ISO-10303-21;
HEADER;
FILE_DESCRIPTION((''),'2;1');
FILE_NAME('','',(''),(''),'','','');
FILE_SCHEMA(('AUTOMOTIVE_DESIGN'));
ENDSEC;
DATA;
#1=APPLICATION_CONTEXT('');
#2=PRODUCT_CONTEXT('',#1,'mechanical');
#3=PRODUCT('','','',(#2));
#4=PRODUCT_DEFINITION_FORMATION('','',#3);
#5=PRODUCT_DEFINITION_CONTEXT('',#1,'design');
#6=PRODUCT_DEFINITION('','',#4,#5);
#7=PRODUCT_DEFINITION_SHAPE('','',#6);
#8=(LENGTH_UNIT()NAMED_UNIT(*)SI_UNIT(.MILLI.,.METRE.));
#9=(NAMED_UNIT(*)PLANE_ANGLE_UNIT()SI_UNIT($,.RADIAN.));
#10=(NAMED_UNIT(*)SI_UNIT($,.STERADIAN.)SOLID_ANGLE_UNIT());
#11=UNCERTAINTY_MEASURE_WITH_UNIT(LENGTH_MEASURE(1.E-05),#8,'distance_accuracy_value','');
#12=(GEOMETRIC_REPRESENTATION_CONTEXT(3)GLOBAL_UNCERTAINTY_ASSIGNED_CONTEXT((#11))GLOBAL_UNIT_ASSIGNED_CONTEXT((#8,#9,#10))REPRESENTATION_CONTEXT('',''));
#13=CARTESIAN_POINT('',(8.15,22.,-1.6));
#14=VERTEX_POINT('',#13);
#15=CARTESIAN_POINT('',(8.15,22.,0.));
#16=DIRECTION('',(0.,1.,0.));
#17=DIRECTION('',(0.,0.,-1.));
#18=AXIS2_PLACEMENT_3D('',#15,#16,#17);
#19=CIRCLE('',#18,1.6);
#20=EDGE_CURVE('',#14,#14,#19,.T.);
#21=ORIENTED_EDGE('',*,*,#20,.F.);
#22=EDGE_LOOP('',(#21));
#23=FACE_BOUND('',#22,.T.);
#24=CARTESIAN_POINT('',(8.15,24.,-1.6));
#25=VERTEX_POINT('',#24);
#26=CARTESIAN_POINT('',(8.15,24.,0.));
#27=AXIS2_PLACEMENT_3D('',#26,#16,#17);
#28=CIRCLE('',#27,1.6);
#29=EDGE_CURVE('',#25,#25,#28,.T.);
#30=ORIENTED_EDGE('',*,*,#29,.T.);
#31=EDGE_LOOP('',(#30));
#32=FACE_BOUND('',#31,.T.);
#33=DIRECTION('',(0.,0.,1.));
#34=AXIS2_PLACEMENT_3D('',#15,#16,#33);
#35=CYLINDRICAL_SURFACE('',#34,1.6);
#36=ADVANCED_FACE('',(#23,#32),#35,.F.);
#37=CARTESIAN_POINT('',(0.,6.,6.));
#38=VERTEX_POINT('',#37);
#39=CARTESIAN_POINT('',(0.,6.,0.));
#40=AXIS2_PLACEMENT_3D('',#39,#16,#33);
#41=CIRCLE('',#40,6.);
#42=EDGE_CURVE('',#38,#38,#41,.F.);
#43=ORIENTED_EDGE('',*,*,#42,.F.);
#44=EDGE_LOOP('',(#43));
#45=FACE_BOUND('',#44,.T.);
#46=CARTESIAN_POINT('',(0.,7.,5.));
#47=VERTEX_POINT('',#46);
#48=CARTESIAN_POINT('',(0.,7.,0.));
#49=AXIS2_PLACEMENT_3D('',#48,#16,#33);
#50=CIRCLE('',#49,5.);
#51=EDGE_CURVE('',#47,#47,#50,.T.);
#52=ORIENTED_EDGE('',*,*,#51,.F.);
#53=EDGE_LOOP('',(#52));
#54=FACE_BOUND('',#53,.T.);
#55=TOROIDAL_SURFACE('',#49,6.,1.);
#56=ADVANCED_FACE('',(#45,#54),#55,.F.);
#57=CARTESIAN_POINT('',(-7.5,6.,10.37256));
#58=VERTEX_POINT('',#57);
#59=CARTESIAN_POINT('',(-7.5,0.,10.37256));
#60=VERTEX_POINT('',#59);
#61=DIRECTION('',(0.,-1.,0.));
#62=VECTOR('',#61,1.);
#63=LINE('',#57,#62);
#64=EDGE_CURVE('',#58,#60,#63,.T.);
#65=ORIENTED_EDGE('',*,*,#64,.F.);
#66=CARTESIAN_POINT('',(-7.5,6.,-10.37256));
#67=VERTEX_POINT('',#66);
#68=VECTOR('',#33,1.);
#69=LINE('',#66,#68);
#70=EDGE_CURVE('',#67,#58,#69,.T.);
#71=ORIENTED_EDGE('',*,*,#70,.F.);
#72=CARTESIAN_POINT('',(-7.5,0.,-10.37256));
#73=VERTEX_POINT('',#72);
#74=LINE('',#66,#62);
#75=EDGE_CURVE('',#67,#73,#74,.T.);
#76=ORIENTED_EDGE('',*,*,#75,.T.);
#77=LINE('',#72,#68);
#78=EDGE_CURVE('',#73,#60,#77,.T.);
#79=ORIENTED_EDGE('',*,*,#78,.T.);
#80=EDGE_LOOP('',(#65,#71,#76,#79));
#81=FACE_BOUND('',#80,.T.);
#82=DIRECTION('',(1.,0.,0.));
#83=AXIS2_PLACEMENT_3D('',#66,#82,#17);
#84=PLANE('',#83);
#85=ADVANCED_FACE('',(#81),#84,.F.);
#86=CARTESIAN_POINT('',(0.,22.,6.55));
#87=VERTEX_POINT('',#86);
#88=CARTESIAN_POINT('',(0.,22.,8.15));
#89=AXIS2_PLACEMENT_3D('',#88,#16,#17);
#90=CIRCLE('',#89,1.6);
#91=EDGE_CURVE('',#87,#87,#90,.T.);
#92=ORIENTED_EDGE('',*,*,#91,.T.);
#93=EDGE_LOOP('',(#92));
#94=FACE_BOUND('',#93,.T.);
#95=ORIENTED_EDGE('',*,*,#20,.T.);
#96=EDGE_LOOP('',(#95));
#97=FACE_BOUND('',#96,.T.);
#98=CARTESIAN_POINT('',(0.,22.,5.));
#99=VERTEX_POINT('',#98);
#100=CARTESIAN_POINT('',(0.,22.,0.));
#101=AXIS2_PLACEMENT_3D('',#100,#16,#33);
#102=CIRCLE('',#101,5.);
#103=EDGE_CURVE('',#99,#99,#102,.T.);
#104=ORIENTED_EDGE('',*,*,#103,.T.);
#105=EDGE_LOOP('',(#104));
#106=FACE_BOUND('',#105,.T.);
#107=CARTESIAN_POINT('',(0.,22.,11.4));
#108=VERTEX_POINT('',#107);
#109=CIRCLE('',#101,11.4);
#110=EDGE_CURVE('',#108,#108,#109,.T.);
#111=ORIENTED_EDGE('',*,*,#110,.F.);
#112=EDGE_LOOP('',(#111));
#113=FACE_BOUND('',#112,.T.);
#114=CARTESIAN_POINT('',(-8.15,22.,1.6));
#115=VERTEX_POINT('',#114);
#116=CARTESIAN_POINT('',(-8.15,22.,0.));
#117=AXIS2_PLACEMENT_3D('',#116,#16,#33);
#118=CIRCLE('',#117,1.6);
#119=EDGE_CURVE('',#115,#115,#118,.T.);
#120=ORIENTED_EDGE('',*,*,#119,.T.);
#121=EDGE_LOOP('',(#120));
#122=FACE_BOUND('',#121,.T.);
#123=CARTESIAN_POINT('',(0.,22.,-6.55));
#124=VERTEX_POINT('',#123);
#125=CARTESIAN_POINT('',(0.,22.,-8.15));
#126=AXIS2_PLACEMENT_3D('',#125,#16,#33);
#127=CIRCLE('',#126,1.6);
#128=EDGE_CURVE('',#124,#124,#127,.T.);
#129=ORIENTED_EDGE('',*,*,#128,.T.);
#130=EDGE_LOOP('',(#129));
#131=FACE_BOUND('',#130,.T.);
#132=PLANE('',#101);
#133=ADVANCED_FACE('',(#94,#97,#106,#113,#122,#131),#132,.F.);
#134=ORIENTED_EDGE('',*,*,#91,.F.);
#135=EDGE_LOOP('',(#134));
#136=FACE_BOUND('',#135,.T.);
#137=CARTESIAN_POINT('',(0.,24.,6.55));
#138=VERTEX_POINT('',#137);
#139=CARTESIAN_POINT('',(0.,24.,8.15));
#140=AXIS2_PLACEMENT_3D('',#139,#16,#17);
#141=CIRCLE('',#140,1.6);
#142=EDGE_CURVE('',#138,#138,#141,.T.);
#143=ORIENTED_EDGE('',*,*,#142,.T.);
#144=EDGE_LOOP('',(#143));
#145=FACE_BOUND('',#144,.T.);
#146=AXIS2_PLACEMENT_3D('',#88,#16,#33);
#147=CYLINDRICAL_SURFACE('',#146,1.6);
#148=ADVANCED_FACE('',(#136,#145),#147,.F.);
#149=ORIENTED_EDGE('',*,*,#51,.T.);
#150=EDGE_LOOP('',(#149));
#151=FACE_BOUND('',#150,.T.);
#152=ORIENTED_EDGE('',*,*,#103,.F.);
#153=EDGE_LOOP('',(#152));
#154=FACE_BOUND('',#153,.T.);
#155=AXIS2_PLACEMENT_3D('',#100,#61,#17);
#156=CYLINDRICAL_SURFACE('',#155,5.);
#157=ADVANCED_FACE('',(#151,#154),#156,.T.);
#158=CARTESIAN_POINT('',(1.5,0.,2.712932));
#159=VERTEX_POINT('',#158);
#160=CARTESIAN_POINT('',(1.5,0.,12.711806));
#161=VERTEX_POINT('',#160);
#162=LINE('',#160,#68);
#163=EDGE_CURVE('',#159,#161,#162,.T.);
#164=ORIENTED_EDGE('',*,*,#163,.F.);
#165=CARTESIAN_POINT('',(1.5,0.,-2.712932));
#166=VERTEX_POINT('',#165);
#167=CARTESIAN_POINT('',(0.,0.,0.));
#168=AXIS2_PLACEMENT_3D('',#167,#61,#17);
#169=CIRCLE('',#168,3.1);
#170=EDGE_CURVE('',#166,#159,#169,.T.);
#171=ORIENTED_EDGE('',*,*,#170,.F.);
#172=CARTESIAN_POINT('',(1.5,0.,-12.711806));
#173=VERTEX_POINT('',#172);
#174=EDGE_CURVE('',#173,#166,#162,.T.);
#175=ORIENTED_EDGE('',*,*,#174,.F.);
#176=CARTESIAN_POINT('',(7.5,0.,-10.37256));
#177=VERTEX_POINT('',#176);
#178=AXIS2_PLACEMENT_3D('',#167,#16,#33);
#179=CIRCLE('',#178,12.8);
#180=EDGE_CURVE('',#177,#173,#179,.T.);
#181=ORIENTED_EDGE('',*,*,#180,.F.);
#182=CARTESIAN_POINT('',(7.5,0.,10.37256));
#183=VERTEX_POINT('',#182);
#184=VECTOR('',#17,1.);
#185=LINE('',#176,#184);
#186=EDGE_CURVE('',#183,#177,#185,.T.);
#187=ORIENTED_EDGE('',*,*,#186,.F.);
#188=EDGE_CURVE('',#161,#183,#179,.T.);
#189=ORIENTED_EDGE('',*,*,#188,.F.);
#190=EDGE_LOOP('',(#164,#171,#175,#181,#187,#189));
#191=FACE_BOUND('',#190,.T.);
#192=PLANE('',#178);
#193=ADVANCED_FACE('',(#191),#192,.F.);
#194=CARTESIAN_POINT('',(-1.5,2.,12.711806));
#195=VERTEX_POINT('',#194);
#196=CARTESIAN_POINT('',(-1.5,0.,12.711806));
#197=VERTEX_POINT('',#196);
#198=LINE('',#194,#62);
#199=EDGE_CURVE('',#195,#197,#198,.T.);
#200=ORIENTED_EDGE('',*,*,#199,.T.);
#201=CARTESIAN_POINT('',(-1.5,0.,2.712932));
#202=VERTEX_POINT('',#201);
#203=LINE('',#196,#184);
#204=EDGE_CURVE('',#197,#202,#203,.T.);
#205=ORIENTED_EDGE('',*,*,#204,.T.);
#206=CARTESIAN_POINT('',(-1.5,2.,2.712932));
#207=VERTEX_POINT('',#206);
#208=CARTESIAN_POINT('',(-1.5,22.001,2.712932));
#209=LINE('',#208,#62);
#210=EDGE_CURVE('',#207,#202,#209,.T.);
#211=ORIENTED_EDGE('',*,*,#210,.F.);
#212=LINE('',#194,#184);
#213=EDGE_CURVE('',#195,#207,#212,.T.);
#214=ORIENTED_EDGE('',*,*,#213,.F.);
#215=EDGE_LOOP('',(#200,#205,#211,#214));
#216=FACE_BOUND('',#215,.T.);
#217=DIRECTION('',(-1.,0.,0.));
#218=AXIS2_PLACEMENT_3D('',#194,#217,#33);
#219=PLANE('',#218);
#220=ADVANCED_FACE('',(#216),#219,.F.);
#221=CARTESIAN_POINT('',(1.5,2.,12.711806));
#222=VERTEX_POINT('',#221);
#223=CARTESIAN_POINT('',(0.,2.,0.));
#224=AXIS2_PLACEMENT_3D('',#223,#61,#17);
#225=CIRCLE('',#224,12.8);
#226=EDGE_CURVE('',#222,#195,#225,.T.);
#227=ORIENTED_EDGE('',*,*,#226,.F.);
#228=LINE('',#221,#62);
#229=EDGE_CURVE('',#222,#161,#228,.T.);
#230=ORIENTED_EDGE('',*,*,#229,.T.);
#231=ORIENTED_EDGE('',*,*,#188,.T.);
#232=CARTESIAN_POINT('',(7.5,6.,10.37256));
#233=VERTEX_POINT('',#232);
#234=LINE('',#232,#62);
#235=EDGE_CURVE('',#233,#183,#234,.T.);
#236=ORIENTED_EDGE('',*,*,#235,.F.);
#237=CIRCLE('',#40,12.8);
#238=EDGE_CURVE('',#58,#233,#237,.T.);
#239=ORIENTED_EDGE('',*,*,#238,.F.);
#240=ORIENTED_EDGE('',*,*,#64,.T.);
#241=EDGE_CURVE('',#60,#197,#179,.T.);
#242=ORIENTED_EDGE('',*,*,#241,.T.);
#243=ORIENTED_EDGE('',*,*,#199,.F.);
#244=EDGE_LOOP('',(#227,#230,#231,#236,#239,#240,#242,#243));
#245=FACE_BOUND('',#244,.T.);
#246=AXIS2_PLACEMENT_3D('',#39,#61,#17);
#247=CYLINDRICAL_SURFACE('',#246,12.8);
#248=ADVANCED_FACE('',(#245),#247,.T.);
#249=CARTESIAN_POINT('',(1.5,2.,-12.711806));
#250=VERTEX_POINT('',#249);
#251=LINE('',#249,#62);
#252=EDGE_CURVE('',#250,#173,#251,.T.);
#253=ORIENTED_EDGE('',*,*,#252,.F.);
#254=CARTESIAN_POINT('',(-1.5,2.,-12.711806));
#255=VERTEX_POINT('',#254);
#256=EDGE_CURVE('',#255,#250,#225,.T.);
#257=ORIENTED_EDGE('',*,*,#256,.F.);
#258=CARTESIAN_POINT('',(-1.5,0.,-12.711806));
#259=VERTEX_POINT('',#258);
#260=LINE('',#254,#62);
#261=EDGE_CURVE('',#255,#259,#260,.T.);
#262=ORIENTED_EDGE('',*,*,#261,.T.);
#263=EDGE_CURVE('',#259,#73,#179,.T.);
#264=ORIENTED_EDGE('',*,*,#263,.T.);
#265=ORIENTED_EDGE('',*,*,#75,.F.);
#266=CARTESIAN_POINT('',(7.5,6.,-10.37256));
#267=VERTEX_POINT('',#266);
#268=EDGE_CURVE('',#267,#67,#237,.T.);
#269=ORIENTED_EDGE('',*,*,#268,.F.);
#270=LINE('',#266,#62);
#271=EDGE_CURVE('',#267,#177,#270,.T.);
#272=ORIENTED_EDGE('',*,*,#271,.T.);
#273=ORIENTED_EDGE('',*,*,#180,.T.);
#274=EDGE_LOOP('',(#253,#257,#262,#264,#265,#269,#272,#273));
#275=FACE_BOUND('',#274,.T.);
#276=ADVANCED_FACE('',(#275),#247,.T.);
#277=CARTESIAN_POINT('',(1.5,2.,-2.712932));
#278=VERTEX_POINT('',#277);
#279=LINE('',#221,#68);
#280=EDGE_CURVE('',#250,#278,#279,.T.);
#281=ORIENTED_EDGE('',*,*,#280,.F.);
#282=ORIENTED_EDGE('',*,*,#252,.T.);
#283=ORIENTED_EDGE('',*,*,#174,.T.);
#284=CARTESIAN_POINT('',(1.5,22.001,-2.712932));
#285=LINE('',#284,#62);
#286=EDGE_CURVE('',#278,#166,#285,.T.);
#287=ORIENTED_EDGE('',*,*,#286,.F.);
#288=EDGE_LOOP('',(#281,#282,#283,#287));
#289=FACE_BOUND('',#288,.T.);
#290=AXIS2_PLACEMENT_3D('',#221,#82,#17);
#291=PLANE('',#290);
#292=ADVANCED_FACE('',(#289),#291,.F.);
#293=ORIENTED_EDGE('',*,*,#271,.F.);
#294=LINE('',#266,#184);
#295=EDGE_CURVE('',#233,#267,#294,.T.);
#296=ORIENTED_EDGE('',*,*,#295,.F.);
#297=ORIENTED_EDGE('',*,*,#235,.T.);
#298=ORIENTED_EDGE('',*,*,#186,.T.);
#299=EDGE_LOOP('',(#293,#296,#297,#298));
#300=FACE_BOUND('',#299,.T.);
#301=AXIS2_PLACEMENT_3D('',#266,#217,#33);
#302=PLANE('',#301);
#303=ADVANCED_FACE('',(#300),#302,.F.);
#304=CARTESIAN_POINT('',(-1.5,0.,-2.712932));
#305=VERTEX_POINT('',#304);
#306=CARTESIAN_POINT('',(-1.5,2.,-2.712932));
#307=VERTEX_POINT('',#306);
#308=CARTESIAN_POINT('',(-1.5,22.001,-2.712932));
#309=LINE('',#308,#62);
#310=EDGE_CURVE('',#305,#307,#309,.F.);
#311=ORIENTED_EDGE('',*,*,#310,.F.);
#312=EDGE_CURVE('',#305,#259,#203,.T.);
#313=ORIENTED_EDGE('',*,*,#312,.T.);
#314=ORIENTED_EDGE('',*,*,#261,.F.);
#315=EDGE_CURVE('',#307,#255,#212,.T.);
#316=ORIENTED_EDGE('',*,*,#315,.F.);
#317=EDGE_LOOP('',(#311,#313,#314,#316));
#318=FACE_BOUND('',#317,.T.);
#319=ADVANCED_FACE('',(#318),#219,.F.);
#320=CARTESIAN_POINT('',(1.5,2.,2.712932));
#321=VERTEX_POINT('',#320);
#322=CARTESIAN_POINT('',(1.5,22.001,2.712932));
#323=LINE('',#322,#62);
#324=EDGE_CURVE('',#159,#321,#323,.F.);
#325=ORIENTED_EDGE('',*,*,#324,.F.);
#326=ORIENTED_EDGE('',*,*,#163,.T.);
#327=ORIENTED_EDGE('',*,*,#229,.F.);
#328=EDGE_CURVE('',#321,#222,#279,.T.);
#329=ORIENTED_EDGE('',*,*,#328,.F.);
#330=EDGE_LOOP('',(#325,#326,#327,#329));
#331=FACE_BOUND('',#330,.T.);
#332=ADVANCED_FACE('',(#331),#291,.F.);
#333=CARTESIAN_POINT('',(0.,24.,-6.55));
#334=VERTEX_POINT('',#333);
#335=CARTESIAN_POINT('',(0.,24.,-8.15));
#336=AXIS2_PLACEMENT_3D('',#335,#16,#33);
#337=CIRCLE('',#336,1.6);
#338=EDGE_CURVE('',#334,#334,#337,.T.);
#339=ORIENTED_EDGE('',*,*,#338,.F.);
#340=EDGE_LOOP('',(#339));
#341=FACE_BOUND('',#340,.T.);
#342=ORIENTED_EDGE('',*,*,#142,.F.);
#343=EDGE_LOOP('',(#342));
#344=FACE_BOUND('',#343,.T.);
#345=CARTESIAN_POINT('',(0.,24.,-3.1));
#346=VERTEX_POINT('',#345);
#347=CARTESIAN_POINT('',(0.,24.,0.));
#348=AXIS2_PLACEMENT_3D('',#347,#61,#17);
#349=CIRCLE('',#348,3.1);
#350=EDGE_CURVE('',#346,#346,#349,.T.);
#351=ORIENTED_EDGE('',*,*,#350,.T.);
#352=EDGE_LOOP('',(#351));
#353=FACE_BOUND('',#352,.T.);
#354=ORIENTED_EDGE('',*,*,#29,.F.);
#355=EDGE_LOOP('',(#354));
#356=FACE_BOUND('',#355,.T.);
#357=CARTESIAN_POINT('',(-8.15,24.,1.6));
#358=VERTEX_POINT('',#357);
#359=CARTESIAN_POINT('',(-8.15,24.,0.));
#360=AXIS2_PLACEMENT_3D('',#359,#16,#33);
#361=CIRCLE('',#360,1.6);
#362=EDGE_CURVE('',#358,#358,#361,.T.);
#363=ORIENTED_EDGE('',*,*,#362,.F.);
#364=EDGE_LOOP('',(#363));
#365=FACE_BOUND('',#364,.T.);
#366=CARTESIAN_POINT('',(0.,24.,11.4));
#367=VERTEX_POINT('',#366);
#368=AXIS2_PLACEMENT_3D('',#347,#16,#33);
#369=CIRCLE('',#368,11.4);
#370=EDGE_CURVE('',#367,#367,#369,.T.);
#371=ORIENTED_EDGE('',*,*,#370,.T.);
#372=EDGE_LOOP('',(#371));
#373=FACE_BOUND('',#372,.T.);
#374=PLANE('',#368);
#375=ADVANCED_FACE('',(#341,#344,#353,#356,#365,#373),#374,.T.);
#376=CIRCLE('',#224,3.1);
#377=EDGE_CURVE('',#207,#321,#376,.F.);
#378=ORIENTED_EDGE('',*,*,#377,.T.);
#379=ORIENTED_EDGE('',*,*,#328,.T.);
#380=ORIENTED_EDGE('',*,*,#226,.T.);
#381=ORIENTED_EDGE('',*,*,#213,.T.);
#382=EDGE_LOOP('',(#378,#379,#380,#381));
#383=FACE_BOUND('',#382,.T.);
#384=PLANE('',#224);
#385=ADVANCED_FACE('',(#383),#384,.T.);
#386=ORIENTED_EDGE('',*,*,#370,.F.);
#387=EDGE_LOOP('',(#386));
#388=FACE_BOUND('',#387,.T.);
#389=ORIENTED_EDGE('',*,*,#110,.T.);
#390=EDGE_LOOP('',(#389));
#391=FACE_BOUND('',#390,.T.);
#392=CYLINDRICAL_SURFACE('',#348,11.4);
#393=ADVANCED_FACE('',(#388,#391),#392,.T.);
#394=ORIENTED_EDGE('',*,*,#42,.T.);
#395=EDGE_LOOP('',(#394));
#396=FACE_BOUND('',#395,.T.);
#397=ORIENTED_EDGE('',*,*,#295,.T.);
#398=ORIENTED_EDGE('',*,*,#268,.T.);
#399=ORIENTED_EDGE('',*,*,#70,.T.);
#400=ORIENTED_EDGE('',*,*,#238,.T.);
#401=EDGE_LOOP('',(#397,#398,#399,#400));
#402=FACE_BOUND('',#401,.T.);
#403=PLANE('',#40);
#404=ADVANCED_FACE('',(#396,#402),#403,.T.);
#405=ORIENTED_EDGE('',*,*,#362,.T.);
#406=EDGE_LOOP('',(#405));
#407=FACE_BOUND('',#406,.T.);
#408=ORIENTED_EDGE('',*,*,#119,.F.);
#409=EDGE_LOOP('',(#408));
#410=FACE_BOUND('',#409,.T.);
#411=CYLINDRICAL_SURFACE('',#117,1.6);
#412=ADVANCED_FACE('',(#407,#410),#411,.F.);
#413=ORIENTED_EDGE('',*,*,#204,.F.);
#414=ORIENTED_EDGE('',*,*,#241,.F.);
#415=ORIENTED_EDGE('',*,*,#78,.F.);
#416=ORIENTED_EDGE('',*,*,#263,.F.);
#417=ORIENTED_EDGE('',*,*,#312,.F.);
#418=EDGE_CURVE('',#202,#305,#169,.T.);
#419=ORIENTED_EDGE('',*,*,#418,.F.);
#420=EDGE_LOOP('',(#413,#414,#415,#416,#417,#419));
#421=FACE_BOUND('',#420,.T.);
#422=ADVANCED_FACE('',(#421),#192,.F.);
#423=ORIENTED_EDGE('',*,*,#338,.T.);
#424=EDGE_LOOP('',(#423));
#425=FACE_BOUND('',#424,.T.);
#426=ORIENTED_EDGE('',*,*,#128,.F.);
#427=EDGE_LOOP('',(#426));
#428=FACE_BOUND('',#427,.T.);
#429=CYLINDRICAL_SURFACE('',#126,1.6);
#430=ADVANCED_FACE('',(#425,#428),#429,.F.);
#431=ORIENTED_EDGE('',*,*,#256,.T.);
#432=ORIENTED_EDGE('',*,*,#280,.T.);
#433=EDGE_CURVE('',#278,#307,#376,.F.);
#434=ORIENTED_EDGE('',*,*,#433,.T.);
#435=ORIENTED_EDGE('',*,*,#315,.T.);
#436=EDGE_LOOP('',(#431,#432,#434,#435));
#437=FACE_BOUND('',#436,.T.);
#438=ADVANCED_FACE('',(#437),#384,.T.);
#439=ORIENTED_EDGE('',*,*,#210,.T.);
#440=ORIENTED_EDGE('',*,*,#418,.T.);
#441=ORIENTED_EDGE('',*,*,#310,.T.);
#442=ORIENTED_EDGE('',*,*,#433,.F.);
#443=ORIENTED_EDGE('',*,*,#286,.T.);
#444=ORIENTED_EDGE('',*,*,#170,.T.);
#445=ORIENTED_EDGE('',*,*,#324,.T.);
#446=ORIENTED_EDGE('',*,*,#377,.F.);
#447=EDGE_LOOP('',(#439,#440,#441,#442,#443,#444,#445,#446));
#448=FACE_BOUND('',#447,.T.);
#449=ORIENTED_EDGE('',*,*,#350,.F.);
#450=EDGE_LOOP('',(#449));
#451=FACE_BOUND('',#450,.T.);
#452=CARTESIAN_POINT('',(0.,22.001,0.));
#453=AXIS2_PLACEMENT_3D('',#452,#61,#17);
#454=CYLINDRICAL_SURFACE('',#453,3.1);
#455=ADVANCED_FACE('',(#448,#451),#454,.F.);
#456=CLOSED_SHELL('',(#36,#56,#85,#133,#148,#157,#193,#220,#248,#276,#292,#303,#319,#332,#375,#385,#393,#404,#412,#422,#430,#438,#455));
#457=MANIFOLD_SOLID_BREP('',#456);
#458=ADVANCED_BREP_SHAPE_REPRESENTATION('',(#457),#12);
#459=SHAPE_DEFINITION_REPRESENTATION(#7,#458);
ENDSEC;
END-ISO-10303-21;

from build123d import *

# Parameters (mm, degrees)
EXTRUDE_1_DEPTH     = 6
CUT_EXTRUDE_1_DEPTH = 2
SKETCH_4_R          = 5
EXTRUDE_2_DEPTH     = 16
CUT_EXTRUDE_3_REACH = 24
SKETCH_7_R          = 3.1
FILLET_1_R          = 1
SKETCH_8_R          = 11.4
EXTRUDE_3_DEPTH     = 2
SKETCH_9_R          = 3.1
CUT_EXTRUDE_4_DEPTH = 2
SKETCH_10_R         = 1.6
CUT_EXTRUDE_5_DEPTH = 2


with BuildPart() as part:
    # 草图1 → 凸台-拉伸1 (new body)
    with BuildSketch(Plane(origin=(0, 0, 0), x_dir=(1, 0, 0), z_dir=(0, 1, 0))):
        with BuildLine():
            Line((-7.5, 10.372559954), (-7.5, -10.372559954))
            ThreePointArc((-7.5, -10.372559954), (0, -12.8), (7.5, -10.372559954))
            Line((7.5, -10.372559954), (7.5, 10.372559954))
            ThreePointArc((7.5, 10.372559954), (0, 12.8), (-7.5, 10.372559954))
        make_face()
    extrude(amount=EXTRUDE_1_DEPTH)

    # 草图2 → 切除-拉伸1 (cut)
    with BuildSketch(Plane.XZ):
        with BuildLine():
            Line((-1.5, 12.711805537), (-1.5, -12.711805537))
            ThreePointArc((-1.5, -12.711805537), (0, -12.8), (1.5, -12.711805537))
            Line((1.5, -12.711805537), (1.5, 12.711805537))
            ThreePointArc((1.5, 12.711805537), (0, 12.8), (-1.5, 12.711805537))
        make_face()
    extrude(amount=-CUT_EXTRUDE_1_DEPTH, mode=Mode.SUBTRACT)

    # 草图4 → 凸台-拉伸2 (add)
    with BuildSketch(Plane(origin=(0, 6, 0), x_dir=(1, 0, 0), z_dir=(0, 1, 0))):
        Circle(SKETCH_4_R)
    extrude(amount=EXTRUDE_2_DEPTH)

    # 草图7 → 切除-拉伸3 (cut, up to next)
    with BuildSketch(Plane.XZ, mode=Mode.PRIVATE) as cut_extrude_3_sk1:
        Circle(SKETCH_7_R)
    cut_extrude_3_tool1 = extrude(cut_extrude_3_sk1.sketch, amount=-CUT_EXTRUDE_3_REACH, mode=Mode.PRIVATE) & part.part
    add(cut_extrude_3_tool1.solids().sort_by_distance((0, 0, 0))[0], mode=Mode.SUBTRACT)

    # 圆角1
    fillet_1_edges = [part.edges().sort_by_distance(p)[0] for p in [
        (-5, 6, 0),
    ]]
    fillet(fillet_1_edges, radius=FILLET_1_R)

    # 草图8 → 凸台-拉伸3 (add)
    with BuildSketch(Plane(origin=(0, 22, 0), x_dir=(1, 0, 0), z_dir=(0, 1, 0))):
        Circle(SKETCH_8_R)
    extrude(amount=EXTRUDE_3_DEPTH)

    # 草图9 → 切除-拉伸4 (cut)
    with BuildSketch(Plane.XZ.offset(-22)):
        Circle(SKETCH_9_R)
    extrude(amount=-CUT_EXTRUDE_4_DEPTH, mode=Mode.SUBTRACT)

    # 草图10 → 切除-拉伸5 (cut)
    with BuildSketch(Plane(origin=(0, 24, 0), x_dir=(1, 0, 0), z_dir=(0, 1, 0))):
        with Locations((0, 8.15)):
            Circle(SKETCH_10_R)
        with Locations((0, -8.15)):
            Circle(SKETCH_10_R)
        with Locations((-8.15, 0)):
            Circle(SKETCH_10_R)
        with Locations((8.15, 0)):
            Circle(SKETCH_10_R)
    extrude(amount=-CUT_EXTRUDE_5_DEPTH, mode=Mode.SUBTRACT)


solid = part.part
